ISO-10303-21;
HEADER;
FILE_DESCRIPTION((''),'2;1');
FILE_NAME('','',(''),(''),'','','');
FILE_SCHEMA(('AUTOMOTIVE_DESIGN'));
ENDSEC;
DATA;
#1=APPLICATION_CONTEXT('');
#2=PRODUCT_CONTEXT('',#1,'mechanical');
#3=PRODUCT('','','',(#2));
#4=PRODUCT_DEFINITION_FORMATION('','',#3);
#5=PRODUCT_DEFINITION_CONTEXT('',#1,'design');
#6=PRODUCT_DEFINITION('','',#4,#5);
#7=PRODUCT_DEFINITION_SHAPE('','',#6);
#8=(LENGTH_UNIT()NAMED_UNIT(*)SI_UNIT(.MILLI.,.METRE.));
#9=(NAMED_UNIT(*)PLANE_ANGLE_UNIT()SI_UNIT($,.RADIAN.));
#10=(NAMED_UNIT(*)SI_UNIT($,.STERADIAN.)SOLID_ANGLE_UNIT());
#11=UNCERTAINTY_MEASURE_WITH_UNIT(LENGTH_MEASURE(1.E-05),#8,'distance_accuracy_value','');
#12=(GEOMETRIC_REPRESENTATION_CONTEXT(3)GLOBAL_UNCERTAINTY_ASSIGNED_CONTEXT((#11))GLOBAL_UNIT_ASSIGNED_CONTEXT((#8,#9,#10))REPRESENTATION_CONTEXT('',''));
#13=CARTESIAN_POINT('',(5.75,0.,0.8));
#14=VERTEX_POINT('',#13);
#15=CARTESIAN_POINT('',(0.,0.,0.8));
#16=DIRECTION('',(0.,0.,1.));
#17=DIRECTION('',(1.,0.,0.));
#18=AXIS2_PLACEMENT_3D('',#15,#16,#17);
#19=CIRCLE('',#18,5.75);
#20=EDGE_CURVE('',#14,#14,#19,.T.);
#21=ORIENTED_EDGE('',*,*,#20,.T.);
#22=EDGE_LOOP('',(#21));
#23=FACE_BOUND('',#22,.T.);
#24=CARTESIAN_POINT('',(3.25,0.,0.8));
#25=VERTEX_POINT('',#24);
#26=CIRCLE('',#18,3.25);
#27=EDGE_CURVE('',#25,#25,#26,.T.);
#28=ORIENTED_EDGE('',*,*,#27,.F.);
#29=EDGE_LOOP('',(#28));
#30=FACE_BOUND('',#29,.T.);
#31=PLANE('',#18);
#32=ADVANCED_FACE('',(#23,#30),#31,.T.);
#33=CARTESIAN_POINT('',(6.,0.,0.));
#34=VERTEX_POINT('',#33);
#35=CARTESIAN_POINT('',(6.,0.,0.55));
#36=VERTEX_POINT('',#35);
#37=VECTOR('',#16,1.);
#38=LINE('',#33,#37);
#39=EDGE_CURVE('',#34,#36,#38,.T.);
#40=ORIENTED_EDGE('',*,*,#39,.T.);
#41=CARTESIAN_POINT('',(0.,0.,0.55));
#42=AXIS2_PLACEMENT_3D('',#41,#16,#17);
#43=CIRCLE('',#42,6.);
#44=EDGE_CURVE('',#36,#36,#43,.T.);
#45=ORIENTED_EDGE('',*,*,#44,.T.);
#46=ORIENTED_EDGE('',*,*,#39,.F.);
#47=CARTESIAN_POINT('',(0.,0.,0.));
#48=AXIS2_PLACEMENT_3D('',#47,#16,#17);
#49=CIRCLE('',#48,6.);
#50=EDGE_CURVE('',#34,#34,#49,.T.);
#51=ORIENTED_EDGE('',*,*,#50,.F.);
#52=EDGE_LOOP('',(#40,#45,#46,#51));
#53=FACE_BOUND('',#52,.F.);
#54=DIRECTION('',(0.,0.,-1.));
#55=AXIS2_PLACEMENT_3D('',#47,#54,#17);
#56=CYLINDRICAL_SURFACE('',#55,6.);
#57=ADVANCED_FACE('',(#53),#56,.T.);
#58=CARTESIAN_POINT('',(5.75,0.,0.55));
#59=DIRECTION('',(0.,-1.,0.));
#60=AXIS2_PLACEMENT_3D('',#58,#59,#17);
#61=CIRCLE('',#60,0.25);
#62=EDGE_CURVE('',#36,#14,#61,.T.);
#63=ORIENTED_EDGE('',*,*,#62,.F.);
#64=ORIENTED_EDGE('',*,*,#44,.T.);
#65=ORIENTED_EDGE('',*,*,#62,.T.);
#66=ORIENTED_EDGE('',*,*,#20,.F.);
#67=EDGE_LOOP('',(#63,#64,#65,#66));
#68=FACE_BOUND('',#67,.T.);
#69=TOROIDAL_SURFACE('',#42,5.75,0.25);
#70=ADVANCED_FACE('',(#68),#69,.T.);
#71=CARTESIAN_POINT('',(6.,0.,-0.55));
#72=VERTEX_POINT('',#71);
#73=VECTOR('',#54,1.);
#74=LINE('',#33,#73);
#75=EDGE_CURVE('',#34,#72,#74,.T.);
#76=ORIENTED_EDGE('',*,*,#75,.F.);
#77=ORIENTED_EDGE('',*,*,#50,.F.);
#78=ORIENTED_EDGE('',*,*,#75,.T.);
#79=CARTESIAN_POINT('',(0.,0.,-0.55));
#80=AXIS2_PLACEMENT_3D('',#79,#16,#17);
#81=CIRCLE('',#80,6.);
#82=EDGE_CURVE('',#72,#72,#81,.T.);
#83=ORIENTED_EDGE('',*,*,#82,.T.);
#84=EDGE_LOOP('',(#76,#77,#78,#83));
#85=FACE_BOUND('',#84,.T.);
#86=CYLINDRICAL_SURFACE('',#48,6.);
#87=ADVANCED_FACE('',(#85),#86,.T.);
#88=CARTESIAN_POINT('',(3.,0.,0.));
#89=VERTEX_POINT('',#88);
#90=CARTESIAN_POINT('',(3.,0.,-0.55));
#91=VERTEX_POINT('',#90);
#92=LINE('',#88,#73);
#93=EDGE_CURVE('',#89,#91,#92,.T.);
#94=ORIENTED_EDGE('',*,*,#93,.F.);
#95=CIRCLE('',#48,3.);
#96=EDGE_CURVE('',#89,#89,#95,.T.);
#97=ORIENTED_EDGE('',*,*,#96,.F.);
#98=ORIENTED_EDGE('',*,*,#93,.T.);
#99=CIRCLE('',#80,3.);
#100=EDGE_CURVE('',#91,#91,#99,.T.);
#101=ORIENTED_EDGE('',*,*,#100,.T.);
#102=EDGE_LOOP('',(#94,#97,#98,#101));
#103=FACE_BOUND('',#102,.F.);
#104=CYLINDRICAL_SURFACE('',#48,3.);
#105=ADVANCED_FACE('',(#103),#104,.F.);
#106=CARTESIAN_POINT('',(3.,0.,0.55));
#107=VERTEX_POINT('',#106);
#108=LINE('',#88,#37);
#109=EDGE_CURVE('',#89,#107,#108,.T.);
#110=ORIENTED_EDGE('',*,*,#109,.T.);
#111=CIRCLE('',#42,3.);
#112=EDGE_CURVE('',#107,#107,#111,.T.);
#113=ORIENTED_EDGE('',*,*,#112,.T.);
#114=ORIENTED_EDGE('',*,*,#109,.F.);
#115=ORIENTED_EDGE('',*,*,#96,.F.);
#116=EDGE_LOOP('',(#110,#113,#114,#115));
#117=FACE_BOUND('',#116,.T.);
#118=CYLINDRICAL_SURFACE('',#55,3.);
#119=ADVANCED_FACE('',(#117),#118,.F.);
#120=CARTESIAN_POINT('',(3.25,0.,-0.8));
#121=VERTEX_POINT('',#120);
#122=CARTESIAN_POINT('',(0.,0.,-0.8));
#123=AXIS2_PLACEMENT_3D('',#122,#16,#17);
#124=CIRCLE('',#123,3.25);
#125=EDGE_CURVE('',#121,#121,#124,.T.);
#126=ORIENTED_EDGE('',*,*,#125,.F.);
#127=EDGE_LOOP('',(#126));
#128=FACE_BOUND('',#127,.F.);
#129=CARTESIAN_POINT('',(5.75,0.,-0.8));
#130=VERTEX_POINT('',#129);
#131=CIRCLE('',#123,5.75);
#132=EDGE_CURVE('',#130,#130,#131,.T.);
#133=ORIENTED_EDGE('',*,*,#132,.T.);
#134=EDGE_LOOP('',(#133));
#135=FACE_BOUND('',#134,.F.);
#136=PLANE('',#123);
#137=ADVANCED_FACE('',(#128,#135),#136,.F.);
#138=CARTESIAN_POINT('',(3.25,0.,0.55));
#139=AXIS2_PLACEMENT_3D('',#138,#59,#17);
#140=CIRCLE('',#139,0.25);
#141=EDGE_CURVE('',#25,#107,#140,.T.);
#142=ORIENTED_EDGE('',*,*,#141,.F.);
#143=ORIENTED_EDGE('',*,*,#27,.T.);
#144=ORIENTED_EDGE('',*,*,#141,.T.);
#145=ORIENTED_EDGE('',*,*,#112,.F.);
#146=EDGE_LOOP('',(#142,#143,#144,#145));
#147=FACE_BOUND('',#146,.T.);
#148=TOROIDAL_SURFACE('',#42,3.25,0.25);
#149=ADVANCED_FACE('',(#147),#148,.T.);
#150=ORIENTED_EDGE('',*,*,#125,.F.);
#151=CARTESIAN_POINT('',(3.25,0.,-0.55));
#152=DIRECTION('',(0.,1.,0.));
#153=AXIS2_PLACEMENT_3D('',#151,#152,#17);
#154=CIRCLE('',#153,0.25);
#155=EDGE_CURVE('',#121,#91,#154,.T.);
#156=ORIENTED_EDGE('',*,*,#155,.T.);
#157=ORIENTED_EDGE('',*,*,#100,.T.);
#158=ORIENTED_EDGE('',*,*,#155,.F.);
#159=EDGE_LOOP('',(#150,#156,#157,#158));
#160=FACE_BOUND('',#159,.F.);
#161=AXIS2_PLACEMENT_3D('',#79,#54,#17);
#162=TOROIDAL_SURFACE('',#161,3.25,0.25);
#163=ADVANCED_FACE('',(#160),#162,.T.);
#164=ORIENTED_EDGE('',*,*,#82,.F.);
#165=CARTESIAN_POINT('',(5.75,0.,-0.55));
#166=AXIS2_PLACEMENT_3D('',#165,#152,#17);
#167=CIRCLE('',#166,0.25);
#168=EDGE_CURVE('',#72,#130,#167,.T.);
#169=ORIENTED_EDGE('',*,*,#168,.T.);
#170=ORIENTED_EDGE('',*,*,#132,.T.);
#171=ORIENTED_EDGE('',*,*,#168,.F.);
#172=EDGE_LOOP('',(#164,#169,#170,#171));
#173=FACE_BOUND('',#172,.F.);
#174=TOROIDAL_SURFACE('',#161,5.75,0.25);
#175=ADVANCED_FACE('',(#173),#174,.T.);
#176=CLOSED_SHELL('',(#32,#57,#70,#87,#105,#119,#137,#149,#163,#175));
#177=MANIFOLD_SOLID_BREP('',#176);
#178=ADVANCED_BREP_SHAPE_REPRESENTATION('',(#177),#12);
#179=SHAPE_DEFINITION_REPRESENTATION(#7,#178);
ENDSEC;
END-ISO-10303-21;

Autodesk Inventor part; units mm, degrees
ref_plane "YZ Plane" through (0, 0, 0) normal (1, 0, 0) x (0, 1, 0)
ref_plane "XZ Plane" through (0, 0, 0) normal (0, 1, 0) x (-1, 0, 0)
ref_plane "XY Plane" through (0, 0, 0) normal (0, 0, 1) x (1, 0, 0)
sketch "Skizze1" plane through (0, 0, 0) normal (0, 0, 1) x (1, 0, 0)
  circle A0 centre (0, 0) radius 3
  circle A1 centre (0, 0) radius 6
  dimension "d0" = 6
  dimension "d1" = 12
extrude "Extrusion1" add sketch "Skizze1" along normal mid plane 1.6
fillet "Rundung1" radius 0.25 4 edges at (-6, 0, 0.8) (-6, 0, -0.8) (-3, 0, 0.8) (-3, 0, -0.8)
properties part number "900-80-WASHERS-ISO8738-6" material "Edelstahl"
